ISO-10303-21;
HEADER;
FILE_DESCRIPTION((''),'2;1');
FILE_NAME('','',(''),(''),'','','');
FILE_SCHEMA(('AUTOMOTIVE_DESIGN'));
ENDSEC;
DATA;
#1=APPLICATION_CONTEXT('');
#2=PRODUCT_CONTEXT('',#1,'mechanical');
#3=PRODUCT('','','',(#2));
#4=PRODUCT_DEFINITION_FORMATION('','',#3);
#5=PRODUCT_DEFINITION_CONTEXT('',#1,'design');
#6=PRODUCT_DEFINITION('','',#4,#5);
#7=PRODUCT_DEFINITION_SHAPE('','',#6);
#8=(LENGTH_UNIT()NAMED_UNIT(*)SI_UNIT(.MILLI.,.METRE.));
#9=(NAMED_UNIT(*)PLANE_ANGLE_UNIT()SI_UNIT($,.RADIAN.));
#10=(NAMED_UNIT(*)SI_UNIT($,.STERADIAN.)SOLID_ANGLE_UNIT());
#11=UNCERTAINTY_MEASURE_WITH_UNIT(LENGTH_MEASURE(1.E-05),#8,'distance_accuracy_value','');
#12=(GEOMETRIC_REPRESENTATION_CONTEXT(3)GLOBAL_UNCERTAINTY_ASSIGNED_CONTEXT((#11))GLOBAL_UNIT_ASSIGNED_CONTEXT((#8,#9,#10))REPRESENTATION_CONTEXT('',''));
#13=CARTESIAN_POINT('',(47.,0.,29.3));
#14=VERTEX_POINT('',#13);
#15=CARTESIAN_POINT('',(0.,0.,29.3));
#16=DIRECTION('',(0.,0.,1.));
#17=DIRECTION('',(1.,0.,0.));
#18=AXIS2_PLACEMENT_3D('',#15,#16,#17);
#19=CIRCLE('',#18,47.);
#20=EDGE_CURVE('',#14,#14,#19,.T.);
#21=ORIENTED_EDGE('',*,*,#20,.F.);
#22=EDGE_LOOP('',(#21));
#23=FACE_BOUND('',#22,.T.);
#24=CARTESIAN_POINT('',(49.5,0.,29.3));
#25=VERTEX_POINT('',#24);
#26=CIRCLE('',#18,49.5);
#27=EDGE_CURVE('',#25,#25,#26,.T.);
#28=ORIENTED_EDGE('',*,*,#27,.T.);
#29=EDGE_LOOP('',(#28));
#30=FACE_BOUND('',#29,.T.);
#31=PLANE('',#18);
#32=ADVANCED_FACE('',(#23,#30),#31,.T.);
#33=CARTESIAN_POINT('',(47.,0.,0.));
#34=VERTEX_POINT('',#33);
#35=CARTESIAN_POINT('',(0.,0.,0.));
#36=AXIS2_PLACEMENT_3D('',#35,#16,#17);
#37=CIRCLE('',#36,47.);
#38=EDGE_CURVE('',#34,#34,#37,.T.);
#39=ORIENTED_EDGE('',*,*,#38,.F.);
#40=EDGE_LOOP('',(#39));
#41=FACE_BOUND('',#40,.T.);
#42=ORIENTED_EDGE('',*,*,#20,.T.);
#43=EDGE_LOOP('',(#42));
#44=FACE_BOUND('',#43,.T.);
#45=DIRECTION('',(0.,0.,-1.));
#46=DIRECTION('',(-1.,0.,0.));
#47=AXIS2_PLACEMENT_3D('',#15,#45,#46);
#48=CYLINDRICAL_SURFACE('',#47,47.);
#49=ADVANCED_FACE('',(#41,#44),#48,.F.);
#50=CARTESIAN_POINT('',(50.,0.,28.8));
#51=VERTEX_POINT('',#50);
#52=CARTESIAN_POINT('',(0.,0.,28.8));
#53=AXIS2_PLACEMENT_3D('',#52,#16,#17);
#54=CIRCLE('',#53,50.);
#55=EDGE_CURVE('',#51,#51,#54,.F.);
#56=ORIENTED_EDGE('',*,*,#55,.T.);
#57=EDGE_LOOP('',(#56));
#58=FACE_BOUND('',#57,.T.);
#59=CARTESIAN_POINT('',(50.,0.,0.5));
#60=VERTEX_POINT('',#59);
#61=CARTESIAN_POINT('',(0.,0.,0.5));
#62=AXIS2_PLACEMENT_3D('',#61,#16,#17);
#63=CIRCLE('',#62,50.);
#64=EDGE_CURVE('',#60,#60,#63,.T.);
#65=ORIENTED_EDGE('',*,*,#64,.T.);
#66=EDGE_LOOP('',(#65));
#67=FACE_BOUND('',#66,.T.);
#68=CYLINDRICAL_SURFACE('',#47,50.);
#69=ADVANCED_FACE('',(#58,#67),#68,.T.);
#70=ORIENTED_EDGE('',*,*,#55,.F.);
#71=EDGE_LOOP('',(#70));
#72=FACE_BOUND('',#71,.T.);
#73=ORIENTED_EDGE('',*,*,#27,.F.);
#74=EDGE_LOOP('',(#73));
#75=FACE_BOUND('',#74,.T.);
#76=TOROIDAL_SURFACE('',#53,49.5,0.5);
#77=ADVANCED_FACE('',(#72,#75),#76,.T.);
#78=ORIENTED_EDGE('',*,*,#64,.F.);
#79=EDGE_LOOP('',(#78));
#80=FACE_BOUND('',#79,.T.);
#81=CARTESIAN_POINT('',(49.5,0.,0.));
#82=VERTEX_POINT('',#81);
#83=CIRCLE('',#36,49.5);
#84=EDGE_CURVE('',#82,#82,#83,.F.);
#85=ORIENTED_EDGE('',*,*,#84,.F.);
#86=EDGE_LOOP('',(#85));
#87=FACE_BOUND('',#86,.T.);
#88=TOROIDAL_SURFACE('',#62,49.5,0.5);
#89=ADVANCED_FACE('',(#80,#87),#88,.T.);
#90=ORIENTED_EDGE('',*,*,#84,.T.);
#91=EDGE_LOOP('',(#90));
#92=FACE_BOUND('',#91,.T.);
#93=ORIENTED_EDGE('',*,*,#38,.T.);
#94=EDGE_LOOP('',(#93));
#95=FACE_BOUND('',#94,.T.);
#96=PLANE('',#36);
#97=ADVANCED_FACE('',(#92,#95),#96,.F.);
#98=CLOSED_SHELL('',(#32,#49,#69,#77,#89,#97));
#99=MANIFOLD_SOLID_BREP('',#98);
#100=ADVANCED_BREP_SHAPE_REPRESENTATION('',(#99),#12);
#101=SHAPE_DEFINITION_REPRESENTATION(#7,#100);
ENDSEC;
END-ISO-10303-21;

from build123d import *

# Parameters (mm, degrees)
ESQUISSE1_R        = 50
ESQUISSE1_R_2      = 47
BOSS_EXTRU_1_DEPTH = 29.3
CONG_1_R           = 0.5


with BuildPart() as part:
    # Esquisse1 → Boss.-Extru.1 (new body)
    with BuildSketch(Plane.XY):
        Circle(ESQUISSE1_R)
        Circle(ESQUISSE1_R_2, mode=Mode.SUBTRACT)
    extrude(amount=BOSS_EXTRU_1_DEPTH)

    # Congé1
    cong_1_edges = [part.edges().sort_by_distance(p)[0] for p in [
        (-50, 0, 0),
        (-50, 0, 29.3),
    ]]
    fillet(cong_1_edges, radius=CONG_1_R)


solid = part.part
